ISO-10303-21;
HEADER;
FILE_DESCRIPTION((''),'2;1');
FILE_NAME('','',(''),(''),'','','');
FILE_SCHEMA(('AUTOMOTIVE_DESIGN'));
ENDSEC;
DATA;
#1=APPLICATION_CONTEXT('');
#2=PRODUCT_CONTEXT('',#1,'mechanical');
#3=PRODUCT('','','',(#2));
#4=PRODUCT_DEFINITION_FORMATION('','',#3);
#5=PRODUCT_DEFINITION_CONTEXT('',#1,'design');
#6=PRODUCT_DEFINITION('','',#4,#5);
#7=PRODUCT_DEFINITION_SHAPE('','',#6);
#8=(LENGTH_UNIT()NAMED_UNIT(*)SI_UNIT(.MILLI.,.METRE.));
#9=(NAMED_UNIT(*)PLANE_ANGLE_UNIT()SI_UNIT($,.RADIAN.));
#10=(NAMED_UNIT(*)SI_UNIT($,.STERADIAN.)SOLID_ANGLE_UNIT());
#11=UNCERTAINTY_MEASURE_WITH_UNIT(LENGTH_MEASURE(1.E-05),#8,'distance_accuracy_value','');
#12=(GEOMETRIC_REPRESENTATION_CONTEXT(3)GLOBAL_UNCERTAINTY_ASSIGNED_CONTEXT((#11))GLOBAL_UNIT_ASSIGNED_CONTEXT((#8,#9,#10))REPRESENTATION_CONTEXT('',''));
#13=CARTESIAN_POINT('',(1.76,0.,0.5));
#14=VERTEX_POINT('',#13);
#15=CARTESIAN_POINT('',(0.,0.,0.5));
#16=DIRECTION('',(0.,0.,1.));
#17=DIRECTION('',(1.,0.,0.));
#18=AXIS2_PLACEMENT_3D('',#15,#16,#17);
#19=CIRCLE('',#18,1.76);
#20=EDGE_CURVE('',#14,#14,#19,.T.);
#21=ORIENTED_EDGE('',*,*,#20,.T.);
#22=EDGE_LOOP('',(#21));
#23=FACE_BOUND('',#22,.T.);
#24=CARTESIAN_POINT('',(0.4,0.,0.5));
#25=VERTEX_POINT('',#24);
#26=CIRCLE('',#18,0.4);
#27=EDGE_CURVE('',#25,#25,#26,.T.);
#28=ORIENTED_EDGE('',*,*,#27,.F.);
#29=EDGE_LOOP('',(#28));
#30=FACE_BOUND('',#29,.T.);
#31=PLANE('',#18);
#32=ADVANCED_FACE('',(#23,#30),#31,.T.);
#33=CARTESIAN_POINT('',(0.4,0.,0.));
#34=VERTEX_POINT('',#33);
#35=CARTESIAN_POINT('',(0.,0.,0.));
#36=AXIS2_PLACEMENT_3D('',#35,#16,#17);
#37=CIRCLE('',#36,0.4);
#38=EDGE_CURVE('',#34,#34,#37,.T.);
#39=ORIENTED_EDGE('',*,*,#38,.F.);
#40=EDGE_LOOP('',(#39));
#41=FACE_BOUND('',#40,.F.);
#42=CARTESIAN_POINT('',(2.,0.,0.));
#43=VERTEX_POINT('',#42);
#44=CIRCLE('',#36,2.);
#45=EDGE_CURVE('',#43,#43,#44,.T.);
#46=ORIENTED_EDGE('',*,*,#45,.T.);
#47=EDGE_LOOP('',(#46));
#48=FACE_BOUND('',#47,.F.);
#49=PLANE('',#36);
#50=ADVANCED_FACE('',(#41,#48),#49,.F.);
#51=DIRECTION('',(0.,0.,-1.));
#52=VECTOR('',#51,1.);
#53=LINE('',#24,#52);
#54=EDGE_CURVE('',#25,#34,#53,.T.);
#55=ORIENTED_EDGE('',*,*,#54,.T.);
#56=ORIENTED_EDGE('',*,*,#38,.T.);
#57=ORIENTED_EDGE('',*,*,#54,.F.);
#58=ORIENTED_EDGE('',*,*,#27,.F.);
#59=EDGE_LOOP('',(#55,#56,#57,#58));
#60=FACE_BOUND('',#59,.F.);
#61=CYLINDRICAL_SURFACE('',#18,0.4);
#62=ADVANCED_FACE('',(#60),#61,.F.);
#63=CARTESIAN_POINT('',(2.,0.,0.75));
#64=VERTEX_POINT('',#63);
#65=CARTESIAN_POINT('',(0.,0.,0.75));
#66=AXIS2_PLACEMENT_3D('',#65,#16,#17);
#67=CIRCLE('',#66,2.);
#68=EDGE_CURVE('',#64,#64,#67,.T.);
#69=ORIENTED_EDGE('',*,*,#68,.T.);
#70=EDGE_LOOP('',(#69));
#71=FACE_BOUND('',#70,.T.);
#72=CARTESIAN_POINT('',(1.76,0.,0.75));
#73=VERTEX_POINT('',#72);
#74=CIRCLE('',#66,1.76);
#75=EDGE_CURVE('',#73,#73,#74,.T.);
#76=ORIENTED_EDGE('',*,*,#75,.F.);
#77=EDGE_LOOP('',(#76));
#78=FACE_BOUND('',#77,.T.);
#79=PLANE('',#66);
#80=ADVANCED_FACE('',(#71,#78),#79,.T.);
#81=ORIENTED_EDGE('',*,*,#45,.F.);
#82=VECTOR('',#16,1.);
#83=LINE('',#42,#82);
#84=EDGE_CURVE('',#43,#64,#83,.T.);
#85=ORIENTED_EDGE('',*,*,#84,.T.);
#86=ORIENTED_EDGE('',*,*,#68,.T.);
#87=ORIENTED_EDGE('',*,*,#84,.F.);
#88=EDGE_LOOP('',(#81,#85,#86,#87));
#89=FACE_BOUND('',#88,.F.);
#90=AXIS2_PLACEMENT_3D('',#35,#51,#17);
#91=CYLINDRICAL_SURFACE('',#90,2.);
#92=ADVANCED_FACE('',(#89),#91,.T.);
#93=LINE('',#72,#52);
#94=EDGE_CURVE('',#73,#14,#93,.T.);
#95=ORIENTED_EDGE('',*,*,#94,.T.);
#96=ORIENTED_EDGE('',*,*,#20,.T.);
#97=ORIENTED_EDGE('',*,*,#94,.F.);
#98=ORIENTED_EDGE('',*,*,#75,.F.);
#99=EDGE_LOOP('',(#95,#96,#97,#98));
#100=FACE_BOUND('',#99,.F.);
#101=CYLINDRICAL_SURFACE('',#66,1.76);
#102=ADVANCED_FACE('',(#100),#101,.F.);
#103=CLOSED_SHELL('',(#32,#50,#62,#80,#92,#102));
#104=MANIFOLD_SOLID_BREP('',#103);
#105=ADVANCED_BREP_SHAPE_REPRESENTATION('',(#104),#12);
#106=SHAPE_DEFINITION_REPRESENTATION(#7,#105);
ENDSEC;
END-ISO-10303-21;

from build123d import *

# Parameters (mm, degrees)
SKETCH1_R           = 2
BOSS_EXTRUDE2_DEPTH = 0.75
SKETCH3_R           = 1.76
CUT_EXTRUDE1_DEPTH  = 0.25
SKETCH4_R           = 0.4
CUT_EXTRUDE2_DEPTH  = 1.5


with BuildPart() as part:
    # Sketch1 → Boss-Extrude2 (new body)
    with BuildSketch(Plane.XY):
        Circle(SKETCH1_R)
    extrude(amount=BOSS_EXTRUDE2_DEPTH)

    # Sketch3 → Cut-Extrude1 (cut)
    with BuildSketch(Plane.XY.offset(0.75)):
        Circle(SKETCH3_R)
    extrude(amount=-CUT_EXTRUDE1_DEPTH, mode=Mode.SUBTRACT)

    # Sketch4 → Cut-Extrude2 (cut, through all)
    with BuildSketch(Plane.XY.offset(0.5)):
        Circle(SKETCH4_R)
    extrude(amount=-CUT_EXTRUDE2_DEPTH, mode=Mode.SUBTRACT)


solid = part.part
